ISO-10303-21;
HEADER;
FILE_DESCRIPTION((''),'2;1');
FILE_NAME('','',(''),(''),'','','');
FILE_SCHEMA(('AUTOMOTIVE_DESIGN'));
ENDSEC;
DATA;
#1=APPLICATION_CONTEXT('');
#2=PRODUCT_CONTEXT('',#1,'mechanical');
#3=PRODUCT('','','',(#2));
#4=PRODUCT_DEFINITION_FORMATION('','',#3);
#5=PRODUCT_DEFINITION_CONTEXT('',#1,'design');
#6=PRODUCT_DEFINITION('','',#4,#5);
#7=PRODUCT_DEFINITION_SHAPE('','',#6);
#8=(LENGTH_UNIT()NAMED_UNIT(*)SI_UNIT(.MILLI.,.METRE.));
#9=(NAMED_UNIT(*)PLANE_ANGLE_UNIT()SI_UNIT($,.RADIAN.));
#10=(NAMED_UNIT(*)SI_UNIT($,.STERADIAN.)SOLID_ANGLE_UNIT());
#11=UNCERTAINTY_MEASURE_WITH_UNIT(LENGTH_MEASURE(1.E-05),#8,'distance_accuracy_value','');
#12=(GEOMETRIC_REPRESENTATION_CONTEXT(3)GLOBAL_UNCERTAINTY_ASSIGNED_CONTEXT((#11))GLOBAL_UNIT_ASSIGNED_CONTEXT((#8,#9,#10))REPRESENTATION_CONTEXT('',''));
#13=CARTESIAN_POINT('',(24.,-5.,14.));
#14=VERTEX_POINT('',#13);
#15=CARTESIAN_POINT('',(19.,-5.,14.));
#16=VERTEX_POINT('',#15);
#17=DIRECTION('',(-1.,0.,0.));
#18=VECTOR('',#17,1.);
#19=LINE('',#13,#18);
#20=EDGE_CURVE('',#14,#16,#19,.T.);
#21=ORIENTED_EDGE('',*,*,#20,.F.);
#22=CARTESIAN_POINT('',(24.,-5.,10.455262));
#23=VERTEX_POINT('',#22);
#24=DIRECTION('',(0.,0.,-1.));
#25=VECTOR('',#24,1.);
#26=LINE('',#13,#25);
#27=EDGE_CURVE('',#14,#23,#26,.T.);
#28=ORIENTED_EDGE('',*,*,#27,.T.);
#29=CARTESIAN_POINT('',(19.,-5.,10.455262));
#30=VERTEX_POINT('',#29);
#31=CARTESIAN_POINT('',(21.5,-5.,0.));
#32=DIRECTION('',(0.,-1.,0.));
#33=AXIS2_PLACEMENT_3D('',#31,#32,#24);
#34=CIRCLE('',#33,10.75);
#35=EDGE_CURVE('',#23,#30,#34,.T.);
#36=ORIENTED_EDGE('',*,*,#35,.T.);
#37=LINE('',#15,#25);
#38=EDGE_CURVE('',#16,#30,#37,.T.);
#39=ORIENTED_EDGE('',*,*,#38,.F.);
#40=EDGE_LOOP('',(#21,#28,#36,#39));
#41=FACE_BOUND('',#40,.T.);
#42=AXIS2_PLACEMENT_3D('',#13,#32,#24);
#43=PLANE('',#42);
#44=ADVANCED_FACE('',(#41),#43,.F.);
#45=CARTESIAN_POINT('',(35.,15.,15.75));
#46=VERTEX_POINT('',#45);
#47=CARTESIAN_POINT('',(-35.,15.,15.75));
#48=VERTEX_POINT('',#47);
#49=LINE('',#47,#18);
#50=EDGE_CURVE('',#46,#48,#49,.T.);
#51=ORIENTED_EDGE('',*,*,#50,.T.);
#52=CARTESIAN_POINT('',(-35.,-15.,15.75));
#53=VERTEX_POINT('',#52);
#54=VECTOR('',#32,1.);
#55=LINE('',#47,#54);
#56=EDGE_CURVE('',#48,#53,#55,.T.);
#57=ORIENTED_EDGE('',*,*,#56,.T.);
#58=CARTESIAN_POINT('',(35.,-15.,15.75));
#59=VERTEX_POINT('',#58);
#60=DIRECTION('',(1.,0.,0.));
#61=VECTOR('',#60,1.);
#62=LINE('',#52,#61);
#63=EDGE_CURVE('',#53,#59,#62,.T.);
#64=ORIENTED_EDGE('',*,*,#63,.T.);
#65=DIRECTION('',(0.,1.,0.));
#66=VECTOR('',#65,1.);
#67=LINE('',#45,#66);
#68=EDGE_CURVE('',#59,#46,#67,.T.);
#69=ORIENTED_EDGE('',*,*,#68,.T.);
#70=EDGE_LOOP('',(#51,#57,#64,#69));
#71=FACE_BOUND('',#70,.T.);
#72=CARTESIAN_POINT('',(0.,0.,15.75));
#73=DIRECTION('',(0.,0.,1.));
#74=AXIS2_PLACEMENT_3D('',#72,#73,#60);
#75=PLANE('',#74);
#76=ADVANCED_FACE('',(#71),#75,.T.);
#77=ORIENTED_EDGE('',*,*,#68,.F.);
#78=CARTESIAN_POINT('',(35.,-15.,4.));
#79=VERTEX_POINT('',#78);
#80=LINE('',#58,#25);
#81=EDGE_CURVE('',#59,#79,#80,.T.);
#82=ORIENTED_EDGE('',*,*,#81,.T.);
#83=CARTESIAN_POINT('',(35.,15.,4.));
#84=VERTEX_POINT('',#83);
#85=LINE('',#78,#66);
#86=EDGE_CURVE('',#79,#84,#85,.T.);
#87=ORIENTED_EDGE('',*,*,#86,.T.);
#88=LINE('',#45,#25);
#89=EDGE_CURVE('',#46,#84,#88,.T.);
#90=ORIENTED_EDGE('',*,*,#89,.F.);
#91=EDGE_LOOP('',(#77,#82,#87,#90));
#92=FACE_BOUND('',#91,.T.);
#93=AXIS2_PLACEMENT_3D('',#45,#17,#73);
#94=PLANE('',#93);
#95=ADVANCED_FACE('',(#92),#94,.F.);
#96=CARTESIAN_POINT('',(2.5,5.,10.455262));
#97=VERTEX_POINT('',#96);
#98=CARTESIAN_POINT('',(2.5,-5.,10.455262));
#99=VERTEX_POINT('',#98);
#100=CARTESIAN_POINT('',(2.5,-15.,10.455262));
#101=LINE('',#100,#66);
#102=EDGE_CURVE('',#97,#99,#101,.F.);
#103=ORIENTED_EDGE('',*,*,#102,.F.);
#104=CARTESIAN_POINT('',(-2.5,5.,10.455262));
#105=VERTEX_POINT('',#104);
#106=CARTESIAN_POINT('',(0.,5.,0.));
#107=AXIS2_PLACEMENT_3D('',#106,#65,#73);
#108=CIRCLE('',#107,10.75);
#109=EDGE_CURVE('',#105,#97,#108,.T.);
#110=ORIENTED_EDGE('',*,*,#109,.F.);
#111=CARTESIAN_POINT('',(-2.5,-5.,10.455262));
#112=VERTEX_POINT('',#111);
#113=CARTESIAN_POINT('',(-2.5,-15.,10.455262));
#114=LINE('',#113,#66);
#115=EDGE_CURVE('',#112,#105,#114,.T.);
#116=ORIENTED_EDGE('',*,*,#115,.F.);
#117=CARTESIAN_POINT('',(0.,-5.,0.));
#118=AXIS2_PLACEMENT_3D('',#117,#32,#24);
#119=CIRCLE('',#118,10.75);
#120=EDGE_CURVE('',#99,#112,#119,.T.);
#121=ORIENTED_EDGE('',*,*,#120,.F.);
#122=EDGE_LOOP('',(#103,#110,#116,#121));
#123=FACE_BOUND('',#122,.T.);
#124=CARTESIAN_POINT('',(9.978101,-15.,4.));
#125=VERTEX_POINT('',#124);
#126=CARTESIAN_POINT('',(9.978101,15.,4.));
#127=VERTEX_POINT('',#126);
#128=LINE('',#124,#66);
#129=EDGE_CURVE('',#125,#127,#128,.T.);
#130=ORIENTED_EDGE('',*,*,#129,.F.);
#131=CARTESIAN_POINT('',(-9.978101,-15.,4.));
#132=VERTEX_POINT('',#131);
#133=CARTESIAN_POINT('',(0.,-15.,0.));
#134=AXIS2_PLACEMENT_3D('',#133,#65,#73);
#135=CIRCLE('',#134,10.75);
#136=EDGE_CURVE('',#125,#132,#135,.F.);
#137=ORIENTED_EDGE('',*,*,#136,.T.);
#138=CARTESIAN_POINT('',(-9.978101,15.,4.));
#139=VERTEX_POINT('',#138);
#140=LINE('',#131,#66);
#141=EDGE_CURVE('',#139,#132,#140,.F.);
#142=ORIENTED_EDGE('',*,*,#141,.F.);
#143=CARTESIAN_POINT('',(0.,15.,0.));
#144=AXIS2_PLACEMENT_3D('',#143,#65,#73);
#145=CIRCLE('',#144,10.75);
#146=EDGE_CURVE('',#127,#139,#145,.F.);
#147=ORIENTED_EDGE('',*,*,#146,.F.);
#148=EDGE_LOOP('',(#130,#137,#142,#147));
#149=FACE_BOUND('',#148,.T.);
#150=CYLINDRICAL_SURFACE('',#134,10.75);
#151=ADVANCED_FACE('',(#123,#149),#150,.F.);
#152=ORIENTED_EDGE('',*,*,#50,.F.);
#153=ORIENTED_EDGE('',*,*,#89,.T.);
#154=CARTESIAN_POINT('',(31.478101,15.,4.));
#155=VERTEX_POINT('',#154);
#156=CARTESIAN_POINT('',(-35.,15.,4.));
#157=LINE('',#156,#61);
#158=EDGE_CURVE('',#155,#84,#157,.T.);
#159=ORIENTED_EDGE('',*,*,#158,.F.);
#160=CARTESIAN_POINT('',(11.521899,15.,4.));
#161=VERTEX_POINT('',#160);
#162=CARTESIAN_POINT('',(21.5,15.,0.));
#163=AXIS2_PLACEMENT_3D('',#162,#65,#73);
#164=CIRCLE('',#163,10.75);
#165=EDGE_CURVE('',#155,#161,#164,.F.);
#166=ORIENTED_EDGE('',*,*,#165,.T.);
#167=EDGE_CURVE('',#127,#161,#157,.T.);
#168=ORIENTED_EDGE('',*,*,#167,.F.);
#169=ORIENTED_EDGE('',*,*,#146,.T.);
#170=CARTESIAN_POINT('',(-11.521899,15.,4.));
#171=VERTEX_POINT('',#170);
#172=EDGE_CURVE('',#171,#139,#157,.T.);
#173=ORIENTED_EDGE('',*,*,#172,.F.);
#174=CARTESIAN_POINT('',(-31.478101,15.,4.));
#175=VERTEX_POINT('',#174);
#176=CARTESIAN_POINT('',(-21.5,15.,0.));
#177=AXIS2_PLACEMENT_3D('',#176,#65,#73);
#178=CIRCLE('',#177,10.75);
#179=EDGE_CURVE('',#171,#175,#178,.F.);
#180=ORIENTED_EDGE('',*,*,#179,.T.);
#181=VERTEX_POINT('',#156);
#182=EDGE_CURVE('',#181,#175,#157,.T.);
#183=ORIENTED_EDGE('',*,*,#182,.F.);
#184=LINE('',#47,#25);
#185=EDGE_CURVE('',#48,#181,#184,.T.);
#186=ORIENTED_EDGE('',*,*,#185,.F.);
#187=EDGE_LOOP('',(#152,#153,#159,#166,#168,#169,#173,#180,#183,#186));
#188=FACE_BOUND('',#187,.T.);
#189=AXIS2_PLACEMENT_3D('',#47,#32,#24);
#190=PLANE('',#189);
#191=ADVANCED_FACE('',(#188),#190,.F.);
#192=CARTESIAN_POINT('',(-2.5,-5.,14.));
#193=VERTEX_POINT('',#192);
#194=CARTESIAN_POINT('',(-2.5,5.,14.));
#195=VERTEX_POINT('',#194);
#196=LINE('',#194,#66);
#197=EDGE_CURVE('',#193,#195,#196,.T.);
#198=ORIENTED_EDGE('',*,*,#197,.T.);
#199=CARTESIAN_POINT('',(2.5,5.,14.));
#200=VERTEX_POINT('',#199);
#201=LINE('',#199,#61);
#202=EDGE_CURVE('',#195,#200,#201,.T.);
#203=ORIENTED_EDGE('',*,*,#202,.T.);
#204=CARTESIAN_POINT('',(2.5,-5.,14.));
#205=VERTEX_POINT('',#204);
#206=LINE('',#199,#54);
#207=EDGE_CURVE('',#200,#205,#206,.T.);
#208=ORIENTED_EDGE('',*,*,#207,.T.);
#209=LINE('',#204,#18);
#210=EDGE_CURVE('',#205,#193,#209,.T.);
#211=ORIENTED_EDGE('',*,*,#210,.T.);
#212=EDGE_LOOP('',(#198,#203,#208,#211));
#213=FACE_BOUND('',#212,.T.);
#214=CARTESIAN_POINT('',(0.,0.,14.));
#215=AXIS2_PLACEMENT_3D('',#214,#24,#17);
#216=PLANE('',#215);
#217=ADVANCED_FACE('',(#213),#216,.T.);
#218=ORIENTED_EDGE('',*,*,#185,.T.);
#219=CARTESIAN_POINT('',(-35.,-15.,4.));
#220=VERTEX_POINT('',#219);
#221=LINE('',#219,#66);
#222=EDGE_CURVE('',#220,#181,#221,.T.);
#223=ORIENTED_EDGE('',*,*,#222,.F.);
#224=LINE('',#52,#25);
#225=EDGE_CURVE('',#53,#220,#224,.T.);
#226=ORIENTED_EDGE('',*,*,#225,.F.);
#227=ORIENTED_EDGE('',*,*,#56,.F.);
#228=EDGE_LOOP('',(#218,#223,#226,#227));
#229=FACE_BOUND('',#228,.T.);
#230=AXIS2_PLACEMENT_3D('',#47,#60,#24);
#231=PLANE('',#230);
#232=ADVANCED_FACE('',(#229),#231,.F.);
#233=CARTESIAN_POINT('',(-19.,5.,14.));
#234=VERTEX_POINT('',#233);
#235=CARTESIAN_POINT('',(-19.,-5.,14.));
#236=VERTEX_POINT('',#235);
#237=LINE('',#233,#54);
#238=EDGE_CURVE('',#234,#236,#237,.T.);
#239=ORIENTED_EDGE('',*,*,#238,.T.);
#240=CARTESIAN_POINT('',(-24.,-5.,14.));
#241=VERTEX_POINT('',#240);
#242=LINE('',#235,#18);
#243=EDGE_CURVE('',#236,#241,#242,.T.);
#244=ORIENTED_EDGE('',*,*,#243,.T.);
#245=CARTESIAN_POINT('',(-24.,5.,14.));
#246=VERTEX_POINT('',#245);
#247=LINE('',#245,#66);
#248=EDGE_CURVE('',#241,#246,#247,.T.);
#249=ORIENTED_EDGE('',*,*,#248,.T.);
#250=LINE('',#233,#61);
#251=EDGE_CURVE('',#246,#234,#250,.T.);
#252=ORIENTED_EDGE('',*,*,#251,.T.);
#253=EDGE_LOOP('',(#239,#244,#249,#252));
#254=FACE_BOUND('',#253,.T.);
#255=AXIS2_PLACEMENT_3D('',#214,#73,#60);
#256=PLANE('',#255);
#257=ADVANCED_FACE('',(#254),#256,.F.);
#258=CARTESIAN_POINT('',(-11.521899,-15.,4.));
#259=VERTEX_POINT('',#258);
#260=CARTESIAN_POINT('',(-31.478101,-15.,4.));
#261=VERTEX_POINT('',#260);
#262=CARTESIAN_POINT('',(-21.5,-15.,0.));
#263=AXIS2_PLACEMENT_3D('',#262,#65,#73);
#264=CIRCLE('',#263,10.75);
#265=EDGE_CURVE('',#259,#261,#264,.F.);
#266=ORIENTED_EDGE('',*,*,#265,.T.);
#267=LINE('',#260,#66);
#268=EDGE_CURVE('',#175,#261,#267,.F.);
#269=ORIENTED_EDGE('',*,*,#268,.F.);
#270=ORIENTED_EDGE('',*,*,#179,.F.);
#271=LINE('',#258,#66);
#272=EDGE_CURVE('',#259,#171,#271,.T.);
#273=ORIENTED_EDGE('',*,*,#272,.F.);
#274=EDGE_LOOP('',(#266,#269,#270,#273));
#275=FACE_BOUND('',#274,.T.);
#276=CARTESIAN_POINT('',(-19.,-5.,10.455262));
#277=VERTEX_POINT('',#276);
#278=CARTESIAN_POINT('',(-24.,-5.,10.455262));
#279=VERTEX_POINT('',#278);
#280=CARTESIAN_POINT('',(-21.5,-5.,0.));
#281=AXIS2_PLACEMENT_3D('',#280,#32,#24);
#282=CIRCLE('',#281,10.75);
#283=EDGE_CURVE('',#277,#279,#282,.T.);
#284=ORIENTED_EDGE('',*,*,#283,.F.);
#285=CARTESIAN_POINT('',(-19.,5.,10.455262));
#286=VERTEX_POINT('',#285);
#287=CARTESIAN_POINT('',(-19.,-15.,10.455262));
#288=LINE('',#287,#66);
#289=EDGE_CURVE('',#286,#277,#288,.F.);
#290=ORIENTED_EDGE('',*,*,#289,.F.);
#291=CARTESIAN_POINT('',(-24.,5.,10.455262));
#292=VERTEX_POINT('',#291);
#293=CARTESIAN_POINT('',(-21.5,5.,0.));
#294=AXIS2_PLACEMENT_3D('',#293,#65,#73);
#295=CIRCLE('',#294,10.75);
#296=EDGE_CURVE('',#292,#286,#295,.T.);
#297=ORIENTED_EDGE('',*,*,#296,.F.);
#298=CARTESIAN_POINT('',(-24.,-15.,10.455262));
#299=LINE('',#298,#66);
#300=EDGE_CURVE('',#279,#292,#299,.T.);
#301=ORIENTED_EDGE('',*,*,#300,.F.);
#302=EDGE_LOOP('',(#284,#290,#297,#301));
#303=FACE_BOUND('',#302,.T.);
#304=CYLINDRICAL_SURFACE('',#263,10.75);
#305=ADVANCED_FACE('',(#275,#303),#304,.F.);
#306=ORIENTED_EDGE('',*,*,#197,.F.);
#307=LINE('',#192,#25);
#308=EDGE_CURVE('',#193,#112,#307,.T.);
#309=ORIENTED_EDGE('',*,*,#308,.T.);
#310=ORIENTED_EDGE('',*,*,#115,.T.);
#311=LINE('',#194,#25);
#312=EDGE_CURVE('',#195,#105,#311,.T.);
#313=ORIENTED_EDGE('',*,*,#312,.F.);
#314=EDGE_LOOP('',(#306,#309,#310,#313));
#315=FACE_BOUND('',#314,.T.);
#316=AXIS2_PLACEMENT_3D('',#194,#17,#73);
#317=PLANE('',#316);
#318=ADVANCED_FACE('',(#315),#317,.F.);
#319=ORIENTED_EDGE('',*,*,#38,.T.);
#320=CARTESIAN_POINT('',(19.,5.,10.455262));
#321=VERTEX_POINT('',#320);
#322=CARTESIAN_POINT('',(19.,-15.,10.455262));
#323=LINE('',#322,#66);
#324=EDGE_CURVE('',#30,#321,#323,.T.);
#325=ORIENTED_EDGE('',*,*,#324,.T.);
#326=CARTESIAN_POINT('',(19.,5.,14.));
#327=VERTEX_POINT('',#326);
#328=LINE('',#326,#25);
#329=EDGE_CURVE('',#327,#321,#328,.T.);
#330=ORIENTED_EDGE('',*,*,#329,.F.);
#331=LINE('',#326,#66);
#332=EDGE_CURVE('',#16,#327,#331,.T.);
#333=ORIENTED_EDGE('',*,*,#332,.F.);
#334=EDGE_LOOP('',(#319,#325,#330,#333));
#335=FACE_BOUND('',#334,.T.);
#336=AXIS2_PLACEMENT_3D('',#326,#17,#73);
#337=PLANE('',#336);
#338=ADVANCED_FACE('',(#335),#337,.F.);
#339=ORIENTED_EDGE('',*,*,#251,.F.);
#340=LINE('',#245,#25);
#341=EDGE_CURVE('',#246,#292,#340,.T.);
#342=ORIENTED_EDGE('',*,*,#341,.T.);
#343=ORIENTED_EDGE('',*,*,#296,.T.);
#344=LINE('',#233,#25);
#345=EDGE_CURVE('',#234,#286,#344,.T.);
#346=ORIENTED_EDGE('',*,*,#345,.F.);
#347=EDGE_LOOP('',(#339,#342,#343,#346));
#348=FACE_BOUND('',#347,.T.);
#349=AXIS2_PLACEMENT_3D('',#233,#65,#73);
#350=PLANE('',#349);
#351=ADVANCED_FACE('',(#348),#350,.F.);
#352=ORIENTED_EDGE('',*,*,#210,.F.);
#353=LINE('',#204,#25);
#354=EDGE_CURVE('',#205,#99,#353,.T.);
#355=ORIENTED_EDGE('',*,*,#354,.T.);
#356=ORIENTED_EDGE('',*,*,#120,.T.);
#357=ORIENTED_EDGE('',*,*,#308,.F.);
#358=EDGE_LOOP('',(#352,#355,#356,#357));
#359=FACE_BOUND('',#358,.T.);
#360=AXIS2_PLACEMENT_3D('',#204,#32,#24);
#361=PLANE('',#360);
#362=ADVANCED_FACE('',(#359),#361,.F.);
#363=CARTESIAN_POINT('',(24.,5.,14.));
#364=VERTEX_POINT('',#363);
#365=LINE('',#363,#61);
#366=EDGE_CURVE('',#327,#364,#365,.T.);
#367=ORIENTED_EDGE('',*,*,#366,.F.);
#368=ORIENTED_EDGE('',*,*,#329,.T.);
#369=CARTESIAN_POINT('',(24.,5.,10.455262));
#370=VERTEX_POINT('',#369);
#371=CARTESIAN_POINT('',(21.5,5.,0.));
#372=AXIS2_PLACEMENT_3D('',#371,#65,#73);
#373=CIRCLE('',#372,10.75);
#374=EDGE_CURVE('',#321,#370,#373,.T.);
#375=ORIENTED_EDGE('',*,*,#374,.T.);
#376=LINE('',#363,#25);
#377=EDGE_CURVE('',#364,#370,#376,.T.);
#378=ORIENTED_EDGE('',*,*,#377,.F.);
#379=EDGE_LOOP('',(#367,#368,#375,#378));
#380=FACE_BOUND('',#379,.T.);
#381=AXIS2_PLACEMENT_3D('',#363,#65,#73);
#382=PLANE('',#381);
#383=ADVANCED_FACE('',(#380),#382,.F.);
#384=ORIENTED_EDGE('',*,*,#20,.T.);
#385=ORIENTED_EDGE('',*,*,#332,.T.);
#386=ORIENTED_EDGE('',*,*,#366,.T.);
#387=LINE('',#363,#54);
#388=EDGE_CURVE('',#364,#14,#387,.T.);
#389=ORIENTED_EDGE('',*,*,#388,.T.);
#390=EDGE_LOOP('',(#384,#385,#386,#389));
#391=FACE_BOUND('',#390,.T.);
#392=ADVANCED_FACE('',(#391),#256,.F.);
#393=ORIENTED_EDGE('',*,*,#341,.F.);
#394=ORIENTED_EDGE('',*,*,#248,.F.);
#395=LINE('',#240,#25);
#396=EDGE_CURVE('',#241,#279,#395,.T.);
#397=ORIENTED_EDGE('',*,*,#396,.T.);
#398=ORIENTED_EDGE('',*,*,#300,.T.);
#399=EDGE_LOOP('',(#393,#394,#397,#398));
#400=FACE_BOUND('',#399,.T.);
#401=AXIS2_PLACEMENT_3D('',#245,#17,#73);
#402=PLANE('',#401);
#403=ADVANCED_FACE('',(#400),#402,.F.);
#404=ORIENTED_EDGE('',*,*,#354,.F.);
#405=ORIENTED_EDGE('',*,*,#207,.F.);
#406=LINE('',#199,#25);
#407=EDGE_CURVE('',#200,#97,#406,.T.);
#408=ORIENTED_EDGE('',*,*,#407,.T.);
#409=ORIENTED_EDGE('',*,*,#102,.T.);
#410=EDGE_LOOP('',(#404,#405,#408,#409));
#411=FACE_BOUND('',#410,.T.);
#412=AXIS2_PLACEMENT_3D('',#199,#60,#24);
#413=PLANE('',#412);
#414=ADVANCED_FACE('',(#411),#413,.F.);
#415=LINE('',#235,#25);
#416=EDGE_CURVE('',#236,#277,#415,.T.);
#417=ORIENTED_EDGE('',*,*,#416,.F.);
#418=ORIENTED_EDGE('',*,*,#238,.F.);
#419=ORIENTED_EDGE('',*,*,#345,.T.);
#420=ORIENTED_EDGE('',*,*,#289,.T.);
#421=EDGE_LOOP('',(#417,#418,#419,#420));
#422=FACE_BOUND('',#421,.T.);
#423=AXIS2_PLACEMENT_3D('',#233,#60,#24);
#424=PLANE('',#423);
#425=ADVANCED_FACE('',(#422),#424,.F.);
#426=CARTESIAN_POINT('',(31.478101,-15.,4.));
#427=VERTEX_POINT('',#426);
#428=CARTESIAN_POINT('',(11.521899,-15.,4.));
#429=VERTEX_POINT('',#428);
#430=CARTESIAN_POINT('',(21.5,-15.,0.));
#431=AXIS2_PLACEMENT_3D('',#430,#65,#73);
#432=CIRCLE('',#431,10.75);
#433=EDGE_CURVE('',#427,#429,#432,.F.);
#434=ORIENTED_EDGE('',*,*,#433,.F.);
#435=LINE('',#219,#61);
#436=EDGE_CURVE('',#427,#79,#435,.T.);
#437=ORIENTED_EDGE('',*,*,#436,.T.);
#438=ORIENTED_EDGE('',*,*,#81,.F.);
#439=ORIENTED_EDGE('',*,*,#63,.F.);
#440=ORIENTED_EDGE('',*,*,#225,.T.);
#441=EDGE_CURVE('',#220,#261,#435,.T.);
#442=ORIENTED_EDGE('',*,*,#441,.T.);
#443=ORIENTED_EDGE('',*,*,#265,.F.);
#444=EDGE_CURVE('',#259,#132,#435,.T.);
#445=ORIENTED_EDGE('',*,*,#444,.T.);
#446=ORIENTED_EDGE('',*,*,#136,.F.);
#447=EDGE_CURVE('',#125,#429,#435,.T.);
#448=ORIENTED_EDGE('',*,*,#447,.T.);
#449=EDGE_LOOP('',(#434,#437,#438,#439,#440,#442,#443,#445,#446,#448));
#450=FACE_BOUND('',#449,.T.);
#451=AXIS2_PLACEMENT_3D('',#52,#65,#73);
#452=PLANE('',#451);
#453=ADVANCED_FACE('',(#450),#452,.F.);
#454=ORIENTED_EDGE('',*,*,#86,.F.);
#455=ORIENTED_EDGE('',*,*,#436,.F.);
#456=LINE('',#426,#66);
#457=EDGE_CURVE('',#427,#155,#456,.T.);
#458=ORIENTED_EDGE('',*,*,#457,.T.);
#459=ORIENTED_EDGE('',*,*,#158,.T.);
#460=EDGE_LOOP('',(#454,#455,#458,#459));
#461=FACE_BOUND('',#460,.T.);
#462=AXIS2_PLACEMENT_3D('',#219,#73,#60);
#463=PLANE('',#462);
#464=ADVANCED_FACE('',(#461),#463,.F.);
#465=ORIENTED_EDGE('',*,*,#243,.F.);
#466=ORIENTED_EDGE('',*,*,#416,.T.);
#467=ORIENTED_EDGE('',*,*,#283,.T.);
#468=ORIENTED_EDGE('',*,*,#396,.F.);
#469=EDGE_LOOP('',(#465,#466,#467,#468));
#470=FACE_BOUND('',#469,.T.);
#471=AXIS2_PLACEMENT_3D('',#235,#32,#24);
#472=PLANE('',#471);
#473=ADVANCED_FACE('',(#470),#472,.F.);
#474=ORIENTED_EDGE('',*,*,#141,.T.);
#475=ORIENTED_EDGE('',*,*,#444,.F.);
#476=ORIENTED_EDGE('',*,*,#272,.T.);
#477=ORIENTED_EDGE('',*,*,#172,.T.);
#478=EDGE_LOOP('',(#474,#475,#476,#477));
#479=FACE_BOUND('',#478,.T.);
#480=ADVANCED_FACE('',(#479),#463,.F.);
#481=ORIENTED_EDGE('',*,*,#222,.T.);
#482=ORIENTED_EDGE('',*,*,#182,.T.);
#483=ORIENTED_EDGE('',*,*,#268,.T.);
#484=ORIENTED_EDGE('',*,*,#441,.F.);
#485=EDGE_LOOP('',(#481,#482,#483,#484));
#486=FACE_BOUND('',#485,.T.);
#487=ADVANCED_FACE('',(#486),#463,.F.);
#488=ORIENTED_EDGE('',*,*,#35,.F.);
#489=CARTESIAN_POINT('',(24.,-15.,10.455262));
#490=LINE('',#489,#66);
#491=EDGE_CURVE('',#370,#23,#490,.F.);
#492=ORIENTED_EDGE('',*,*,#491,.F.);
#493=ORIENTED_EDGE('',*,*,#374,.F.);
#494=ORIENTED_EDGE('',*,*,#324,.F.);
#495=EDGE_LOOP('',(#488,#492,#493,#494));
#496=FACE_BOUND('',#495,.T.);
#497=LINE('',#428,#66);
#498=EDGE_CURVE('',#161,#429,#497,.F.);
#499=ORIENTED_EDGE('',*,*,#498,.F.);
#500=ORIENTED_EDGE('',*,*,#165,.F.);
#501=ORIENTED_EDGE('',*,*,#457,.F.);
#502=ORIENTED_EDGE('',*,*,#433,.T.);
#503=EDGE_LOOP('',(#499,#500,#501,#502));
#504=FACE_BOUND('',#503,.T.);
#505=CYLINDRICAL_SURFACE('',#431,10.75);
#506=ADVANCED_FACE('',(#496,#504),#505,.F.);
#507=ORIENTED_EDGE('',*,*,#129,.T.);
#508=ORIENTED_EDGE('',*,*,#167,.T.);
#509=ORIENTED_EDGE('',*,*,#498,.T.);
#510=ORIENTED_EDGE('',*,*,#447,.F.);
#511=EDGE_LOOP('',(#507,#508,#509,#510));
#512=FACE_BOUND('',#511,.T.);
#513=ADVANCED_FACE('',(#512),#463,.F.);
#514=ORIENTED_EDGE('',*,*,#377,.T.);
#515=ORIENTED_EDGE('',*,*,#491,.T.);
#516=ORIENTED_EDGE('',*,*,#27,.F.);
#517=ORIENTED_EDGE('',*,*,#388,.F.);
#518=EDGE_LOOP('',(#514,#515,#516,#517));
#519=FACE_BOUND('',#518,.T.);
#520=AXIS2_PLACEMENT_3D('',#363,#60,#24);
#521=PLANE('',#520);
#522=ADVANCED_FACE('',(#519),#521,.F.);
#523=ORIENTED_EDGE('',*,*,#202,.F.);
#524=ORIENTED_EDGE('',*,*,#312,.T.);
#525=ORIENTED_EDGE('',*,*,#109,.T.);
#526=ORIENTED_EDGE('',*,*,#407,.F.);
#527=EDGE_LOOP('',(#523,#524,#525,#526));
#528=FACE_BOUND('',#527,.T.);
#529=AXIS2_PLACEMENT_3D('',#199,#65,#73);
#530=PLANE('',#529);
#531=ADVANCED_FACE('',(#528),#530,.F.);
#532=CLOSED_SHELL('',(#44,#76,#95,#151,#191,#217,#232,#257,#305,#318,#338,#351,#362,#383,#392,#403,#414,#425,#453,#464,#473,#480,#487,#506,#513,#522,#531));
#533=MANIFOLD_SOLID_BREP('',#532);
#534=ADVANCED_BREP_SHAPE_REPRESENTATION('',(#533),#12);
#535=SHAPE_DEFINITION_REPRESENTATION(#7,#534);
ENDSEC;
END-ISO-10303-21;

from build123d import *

# Parameters (mm, degrees)
SKETCH_1_W          = 70
SKETCH_1_H          = 30
EXTRUDE_1_DEPTH     = 15.75
CUT_EXTRUDE_1_DEPTH = 30
SKETCH_4_W          = 70
SKETCH_4_H          = 4
CUT_EXTRUDE_2_DEPTH = 30
SKETCH_6_W          = 5
SKETCH_6_H          = 10
CUT_EXTRUDE_3_DEPTH = 10


with BuildPart() as part:
    # 草图1 → 凸台-拉伸1 (new body)
    with BuildSketch(Plane.XY):
        Rectangle(SKETCH_1_W, SKETCH_1_H)
    extrude(amount=EXTRUDE_1_DEPTH)

    # 草图3 → 切除-拉伸1 (cut)
    with BuildSketch(Plane(origin=(0, 15, 0), x_dir=(1, 0, 0), z_dir=(0, 1, 0))):
        with BuildLine():
            ThreePointArc((-32.25, 0), (-21.5, -10.75), (-10.75, 0))
            Line((-10.75, 0), (-32.25, 0))
        make_face()
        with BuildLine():
            Line((10.75, 0), (-10.75, 0))
            ThreePointArc((-10.75, 0), (0, -10.75), (10.75, 0))
        make_face()
        with BuildLine():
            Line((32.25, 0), (10.75, 0))
            ThreePointArc((10.75, 0), (21.5, -10.75), (32.25, 0))
        make_face()
    extrude(amount=-CUT_EXTRUDE_1_DEPTH, mode=Mode.SUBTRACT)

    # 草图4 → 切除-拉伸2 (cut)
    with BuildSketch(Plane(origin=(0, 15, 0), x_dir=(1, 0, 0), z_dir=(0, 1, 0))):
        with Locations((0, -2)):
            Rectangle(SKETCH_4_W, SKETCH_4_H)
    extrude(amount=-CUT_EXTRUDE_2_DEPTH, mode=Mode.SUBTRACT)

    # 草图6 → 切除-拉伸3 (cut)
    with BuildSketch(Plane(origin=(0, 0, 4), x_dir=(-1, 0, 0), z_dir=(0, 0, -1))):
        with Locations((21.5, 0)):
            Rectangle(SKETCH_6_W, SKETCH_6_H)
        Rectangle(SKETCH_6_W, SKETCH_6_H)
        with Locations((-21.5, 0)):
            Rectangle(SKETCH_6_W, SKETCH_6_H)
    extrude(amount=-CUT_EXTRUDE_3_DEPTH, mode=Mode.SUBTRACT)


solid = part.part
